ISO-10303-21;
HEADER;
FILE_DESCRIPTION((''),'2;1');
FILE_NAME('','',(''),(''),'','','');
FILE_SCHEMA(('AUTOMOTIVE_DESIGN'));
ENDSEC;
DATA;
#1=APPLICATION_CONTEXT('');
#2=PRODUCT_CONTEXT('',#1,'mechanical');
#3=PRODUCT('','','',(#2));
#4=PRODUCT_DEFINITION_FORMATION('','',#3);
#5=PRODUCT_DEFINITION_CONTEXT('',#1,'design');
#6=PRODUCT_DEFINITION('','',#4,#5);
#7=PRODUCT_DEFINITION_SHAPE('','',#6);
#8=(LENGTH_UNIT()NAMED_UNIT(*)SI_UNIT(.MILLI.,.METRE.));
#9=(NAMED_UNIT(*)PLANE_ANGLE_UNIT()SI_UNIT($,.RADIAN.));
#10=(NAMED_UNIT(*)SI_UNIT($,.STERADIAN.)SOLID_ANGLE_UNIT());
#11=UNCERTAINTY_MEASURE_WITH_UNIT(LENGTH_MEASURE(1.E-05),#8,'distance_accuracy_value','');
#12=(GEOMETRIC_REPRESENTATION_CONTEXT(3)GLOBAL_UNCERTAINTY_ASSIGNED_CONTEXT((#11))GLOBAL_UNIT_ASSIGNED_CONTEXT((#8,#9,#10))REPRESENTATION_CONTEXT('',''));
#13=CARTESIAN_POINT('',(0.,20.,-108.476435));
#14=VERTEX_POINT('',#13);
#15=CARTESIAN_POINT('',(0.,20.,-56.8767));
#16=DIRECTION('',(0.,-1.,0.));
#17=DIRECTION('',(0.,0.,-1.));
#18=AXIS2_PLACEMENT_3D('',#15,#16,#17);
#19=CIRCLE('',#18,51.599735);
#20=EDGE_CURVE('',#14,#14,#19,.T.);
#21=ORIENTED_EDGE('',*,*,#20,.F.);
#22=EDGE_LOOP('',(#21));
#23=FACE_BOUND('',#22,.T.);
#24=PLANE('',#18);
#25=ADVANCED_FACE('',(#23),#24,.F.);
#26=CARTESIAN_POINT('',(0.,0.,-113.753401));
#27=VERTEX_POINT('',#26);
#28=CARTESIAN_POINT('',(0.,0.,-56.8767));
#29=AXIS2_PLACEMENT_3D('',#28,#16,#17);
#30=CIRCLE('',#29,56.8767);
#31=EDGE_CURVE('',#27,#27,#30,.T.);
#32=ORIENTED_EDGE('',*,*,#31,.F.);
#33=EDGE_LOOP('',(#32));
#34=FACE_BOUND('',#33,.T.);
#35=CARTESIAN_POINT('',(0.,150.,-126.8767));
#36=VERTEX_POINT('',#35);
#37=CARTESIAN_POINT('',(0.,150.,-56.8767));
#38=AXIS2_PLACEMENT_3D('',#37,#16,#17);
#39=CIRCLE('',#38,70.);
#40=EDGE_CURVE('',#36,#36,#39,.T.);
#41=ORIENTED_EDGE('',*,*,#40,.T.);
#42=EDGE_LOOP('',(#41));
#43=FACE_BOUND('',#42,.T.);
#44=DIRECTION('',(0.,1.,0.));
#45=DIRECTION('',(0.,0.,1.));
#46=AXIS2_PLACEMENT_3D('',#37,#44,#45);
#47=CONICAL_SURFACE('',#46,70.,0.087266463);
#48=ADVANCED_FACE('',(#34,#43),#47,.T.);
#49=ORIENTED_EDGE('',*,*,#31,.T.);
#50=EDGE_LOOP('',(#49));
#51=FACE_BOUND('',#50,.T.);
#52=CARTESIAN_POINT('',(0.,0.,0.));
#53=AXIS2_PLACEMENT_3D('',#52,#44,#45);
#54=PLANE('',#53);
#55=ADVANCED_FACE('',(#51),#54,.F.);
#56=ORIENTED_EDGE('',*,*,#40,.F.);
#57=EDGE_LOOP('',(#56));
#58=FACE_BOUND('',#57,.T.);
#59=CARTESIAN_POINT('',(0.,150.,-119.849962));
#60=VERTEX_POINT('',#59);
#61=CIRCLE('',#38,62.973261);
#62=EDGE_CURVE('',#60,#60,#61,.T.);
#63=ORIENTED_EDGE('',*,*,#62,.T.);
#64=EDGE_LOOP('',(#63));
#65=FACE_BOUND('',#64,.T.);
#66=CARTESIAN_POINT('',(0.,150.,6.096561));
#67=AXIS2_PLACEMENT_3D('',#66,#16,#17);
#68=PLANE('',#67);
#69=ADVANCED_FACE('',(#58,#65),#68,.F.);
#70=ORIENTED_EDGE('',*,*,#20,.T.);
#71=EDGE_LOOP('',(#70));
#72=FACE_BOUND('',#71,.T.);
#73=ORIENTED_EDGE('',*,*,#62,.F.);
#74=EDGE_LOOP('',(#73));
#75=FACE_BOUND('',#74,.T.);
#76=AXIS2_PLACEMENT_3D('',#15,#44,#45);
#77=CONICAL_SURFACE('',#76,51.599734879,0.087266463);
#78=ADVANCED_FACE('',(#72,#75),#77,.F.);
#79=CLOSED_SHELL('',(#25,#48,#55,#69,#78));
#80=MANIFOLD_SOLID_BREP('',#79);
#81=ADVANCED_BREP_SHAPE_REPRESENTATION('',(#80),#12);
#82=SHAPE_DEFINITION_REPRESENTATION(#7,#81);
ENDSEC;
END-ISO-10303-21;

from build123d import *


with BuildPart() as part:
    # 草图2 → 旋转1 (revolve)
    with BuildSketch(Plane(origin=(0, 0, 0), x_dir=(0, 0, -1), z_dir=(1, 0, 0))):
        Polygon((-13.123299529, 150), (0, 0), (56.876700471, 0), (56.876700471, 20), (5.276965592, 20), (-6.096560666, 150), align=None)
    revolve(axis=Axis((0, 0, -56.876700471), (0, 1, 0)))


solid = part.part
